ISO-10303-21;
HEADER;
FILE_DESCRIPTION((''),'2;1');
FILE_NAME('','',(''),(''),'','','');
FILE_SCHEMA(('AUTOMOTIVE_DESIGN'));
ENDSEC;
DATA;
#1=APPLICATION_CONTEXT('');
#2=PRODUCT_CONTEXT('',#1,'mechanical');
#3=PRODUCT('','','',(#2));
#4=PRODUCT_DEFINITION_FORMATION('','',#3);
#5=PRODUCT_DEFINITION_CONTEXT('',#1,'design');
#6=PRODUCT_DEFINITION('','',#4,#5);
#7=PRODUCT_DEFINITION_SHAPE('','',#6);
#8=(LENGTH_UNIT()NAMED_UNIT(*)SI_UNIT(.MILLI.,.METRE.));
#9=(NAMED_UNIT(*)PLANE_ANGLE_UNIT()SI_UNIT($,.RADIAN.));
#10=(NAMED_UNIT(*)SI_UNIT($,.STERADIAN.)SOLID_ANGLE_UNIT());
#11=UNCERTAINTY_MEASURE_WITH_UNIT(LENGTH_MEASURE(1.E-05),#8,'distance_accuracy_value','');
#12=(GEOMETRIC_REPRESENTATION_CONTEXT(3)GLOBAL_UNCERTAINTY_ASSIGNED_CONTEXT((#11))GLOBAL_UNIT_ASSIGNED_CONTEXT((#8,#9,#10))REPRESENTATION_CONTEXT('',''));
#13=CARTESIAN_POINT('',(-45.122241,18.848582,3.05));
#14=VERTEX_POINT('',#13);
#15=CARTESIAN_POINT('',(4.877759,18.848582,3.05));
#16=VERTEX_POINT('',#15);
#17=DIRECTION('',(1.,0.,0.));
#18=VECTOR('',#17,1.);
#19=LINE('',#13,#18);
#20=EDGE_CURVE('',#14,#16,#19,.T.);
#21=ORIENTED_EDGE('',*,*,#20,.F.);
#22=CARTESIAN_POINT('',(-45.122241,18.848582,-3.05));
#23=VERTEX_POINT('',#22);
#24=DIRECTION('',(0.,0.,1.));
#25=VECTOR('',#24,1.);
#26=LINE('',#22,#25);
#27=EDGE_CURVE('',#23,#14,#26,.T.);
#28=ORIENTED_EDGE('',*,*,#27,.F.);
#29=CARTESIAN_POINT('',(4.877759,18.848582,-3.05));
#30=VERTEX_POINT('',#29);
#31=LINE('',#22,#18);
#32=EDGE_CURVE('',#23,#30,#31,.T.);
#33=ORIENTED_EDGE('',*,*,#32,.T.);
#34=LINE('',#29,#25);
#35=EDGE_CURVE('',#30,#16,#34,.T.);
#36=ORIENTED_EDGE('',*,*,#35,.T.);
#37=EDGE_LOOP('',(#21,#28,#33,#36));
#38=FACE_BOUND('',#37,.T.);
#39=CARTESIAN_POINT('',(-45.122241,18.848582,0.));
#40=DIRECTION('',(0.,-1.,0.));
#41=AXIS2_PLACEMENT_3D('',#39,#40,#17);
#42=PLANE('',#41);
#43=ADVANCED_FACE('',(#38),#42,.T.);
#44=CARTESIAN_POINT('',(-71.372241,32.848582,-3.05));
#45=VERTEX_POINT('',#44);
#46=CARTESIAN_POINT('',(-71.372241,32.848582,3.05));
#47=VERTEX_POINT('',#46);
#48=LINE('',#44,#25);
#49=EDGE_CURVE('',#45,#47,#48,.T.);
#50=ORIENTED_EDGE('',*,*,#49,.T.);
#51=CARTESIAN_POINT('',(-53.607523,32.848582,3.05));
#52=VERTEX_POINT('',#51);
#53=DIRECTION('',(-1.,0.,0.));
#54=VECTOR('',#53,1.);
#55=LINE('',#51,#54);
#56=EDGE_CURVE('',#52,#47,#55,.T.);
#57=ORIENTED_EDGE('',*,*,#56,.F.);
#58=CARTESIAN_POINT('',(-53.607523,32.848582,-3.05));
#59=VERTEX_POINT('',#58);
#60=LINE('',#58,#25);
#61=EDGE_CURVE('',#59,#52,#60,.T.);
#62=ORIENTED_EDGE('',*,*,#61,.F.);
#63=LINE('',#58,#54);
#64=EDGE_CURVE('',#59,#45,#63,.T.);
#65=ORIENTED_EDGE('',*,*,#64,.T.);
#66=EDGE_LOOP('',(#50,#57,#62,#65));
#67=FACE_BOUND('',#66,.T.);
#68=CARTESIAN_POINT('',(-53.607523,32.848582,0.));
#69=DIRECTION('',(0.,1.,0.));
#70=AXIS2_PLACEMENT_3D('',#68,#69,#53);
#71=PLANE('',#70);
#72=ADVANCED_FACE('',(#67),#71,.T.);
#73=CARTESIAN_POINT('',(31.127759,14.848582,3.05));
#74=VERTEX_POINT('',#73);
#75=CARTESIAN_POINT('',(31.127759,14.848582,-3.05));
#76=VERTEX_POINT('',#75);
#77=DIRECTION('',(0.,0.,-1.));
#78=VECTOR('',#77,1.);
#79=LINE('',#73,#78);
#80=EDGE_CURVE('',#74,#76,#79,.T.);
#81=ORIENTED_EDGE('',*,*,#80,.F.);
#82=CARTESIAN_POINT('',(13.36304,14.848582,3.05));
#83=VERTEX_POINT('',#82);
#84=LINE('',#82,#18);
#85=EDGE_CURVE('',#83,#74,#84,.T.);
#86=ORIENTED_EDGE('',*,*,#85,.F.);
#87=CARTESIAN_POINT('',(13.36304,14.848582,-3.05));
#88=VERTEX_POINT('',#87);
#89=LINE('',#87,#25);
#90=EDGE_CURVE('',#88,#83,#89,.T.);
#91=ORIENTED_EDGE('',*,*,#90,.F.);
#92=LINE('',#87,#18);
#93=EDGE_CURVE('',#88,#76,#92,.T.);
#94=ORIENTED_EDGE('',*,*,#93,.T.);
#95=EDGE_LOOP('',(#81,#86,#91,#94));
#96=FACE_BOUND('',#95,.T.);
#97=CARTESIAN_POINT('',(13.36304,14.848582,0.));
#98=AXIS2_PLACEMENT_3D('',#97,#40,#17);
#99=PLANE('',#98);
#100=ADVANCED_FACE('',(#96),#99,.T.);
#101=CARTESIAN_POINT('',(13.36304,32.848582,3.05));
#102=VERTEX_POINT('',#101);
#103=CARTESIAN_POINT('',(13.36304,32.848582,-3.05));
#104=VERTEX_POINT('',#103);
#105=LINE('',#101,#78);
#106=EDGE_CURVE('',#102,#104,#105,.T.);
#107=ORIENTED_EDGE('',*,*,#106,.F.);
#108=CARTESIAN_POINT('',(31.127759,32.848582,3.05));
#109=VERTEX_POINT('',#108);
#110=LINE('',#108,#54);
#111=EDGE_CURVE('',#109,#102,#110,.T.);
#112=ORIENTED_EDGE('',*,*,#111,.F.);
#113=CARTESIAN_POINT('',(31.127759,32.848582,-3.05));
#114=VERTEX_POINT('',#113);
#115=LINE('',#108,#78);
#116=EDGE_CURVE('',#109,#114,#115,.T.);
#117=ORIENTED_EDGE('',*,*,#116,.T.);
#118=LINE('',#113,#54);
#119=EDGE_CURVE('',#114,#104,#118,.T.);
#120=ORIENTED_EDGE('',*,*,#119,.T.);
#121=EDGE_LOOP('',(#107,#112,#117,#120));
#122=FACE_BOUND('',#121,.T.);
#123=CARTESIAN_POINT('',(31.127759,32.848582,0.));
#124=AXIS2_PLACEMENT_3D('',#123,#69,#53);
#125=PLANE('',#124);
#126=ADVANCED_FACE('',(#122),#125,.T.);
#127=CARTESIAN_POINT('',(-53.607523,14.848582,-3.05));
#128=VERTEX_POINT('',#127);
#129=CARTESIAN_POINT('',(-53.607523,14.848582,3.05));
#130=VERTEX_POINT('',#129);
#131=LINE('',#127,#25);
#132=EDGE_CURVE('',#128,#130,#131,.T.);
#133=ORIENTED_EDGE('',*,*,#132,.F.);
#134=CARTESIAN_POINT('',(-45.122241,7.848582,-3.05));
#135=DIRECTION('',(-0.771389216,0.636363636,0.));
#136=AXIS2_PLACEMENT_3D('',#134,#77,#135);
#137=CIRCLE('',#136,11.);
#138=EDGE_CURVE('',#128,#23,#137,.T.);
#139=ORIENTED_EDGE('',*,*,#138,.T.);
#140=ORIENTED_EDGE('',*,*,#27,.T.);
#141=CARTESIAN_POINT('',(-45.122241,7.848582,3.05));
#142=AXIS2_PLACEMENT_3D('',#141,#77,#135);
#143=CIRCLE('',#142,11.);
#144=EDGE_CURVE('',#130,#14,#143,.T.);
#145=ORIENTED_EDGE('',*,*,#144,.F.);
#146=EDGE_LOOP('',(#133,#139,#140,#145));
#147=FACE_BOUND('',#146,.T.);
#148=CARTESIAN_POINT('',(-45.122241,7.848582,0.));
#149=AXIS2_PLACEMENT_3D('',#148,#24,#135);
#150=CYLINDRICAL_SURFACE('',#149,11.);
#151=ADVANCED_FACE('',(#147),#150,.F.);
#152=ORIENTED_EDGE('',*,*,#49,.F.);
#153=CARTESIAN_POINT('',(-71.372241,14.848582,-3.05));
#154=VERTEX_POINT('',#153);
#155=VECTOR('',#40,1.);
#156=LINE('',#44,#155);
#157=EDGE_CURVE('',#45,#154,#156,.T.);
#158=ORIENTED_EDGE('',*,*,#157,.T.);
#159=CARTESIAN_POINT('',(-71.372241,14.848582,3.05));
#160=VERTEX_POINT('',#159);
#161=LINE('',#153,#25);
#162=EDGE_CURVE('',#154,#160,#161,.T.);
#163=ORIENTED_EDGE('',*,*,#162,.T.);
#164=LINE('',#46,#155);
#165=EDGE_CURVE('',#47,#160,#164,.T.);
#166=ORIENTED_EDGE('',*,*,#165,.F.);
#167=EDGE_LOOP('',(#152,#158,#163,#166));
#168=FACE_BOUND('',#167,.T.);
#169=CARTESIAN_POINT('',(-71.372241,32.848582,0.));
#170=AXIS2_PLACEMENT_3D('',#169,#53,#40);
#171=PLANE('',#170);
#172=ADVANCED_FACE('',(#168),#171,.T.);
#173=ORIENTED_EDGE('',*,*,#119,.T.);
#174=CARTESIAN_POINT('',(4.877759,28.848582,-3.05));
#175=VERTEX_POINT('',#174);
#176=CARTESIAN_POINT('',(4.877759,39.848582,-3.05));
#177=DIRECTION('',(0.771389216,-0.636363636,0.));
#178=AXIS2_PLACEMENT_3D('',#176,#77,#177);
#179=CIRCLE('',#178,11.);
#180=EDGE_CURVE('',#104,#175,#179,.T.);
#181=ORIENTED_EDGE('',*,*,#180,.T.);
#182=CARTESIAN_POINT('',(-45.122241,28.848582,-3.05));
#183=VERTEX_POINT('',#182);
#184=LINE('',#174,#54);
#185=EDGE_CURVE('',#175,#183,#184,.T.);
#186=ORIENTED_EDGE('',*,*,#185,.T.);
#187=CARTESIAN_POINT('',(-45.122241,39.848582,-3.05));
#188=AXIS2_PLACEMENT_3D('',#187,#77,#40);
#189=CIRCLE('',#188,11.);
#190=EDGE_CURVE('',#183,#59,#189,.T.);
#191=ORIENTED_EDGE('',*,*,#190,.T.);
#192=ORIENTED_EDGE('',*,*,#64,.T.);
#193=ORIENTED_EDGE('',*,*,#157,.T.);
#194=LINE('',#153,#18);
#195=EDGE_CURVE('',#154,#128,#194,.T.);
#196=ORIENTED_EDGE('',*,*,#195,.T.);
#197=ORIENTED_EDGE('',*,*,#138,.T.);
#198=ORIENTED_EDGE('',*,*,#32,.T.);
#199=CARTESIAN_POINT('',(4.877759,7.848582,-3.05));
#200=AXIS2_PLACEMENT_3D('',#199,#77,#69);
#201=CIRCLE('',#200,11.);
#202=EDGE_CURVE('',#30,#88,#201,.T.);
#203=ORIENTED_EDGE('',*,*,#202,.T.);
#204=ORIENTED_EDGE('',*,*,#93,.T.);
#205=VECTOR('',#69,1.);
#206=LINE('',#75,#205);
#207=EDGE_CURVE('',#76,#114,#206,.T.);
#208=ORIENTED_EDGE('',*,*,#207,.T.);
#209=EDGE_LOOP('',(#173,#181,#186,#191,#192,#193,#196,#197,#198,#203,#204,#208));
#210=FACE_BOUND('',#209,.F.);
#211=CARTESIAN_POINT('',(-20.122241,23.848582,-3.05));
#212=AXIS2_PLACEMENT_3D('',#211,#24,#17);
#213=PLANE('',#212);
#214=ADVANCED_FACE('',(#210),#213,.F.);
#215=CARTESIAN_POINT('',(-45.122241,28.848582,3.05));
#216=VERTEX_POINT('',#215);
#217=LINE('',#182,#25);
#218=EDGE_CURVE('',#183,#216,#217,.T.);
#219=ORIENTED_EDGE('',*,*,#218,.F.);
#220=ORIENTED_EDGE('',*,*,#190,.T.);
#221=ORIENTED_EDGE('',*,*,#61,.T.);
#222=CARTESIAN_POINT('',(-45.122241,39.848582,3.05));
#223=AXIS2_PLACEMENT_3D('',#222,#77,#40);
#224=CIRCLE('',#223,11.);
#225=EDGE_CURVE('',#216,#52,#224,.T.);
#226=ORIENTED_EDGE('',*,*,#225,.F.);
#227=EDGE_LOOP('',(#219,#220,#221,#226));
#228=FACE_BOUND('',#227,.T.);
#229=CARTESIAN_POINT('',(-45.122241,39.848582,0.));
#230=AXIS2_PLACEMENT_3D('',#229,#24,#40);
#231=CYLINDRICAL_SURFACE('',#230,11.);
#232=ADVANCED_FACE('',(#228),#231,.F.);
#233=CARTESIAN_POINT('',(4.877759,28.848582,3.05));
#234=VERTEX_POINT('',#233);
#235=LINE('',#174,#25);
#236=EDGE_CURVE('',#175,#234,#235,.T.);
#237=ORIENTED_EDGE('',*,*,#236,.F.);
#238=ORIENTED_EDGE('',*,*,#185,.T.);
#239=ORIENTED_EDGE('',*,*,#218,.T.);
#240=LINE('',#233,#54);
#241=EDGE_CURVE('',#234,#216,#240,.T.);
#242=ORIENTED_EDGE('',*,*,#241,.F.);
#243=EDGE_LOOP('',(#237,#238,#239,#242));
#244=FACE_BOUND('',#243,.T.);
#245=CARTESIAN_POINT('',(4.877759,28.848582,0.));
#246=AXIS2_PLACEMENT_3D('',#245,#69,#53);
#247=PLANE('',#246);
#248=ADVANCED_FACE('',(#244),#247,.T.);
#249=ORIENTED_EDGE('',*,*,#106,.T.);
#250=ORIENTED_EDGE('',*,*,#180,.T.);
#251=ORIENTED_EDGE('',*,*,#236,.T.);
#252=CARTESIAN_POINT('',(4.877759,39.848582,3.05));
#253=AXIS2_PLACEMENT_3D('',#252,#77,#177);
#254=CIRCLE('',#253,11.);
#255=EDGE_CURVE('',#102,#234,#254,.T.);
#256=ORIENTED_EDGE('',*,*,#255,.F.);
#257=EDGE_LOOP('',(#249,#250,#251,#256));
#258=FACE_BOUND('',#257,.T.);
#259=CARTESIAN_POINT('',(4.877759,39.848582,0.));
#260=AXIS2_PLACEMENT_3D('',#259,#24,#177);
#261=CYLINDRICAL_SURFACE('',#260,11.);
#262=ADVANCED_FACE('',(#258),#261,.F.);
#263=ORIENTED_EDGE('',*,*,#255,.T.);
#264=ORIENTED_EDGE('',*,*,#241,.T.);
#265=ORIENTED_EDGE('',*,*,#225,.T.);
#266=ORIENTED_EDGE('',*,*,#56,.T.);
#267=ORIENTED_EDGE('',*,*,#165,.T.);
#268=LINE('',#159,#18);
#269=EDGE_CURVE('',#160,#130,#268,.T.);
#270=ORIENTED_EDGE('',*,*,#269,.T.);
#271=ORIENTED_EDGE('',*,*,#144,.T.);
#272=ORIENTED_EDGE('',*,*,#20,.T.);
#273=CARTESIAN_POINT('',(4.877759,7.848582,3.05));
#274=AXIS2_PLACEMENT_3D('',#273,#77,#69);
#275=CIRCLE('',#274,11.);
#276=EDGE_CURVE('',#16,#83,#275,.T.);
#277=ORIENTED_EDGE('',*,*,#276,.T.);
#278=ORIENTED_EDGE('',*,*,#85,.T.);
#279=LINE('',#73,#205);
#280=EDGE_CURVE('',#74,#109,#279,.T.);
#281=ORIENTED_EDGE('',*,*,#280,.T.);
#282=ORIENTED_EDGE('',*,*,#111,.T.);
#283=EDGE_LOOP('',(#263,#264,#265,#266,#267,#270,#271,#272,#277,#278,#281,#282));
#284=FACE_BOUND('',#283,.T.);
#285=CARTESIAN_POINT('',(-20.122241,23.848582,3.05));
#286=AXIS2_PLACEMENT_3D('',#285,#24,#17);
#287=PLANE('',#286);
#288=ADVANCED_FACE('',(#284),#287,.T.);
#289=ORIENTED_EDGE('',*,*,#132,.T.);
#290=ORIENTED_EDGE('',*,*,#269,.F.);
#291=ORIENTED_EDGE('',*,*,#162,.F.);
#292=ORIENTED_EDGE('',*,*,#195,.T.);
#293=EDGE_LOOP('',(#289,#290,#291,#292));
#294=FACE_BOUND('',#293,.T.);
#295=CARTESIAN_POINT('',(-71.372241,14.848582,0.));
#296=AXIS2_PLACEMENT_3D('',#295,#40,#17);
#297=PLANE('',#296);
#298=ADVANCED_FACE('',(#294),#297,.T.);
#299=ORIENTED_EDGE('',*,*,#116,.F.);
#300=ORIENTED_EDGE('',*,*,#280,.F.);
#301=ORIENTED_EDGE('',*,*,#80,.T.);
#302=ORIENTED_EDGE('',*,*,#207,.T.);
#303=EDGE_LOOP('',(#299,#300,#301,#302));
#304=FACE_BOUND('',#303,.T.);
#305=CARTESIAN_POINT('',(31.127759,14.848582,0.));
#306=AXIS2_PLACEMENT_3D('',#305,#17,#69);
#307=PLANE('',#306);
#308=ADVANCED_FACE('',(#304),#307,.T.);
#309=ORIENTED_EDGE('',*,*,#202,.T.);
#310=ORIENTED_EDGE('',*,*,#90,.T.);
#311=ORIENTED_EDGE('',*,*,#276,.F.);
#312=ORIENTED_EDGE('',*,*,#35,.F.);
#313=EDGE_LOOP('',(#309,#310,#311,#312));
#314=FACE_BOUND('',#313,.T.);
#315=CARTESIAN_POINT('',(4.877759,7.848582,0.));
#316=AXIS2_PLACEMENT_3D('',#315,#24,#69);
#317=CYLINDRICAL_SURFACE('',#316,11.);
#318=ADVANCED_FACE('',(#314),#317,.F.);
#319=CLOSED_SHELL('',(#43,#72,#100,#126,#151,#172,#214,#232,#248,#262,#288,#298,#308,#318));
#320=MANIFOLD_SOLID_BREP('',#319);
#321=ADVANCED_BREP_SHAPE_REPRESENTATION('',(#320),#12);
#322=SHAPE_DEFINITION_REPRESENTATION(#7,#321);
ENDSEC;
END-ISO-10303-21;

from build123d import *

# Parameters (mm, degrees)
F1_DEPTH = 3.05


with BuildPart() as f1:
    # F0 (on Top) → F1 (new body, symmetric)
    with BuildSketch(Plane.XY):
        with BuildLine():
            ThreePointArc((13.3630401454, 32.8485820591), (9.568174531, 29.8987076881), (4.8777587712, 28.8485820591))
            Line((4.8777587712, 28.8485820591), (-45.1222412288, 28.8485820591))
            ThreePointArc((-45.1222412288, 28.8485820591), (-49.8126569886, 29.8987076881), (-53.6075226031, 32.8485820591))
            Line((-53.6075226031, 32.8485820591), (-71.3722412288, 32.8485820591))
            Line((-71.3722412288, 32.8485820591), (-71.3722412288, 14.8485820591))
            Line((-71.3722412288, 14.8485820591), (-53.6075226031, 14.8485820591))
            ThreePointArc((-53.6075226031, 14.8485820591), (-49.8126569886, 17.7984564302), (-45.1222412288, 18.8485820591))
            Line((-45.1222412288, 18.8485820591), (4.8777587712, 18.8485820591))
            ThreePointArc((4.8777587712, 18.8485820591), (9.568174531, 17.7984564302), (13.3630401454, 14.8485820591))
            Line((13.3630401454, 14.8485820591), (31.1277587712, 14.8485820591))
            Line((31.1277587712, 14.8485820591), (31.1277587712, 32.8485820591))
            Line((31.1277587712, 32.8485820591), (13.3630401454, 32.8485820591))
        make_face()
    extrude(amount=F1_DEPTH, both=True)


solid = f1.part
